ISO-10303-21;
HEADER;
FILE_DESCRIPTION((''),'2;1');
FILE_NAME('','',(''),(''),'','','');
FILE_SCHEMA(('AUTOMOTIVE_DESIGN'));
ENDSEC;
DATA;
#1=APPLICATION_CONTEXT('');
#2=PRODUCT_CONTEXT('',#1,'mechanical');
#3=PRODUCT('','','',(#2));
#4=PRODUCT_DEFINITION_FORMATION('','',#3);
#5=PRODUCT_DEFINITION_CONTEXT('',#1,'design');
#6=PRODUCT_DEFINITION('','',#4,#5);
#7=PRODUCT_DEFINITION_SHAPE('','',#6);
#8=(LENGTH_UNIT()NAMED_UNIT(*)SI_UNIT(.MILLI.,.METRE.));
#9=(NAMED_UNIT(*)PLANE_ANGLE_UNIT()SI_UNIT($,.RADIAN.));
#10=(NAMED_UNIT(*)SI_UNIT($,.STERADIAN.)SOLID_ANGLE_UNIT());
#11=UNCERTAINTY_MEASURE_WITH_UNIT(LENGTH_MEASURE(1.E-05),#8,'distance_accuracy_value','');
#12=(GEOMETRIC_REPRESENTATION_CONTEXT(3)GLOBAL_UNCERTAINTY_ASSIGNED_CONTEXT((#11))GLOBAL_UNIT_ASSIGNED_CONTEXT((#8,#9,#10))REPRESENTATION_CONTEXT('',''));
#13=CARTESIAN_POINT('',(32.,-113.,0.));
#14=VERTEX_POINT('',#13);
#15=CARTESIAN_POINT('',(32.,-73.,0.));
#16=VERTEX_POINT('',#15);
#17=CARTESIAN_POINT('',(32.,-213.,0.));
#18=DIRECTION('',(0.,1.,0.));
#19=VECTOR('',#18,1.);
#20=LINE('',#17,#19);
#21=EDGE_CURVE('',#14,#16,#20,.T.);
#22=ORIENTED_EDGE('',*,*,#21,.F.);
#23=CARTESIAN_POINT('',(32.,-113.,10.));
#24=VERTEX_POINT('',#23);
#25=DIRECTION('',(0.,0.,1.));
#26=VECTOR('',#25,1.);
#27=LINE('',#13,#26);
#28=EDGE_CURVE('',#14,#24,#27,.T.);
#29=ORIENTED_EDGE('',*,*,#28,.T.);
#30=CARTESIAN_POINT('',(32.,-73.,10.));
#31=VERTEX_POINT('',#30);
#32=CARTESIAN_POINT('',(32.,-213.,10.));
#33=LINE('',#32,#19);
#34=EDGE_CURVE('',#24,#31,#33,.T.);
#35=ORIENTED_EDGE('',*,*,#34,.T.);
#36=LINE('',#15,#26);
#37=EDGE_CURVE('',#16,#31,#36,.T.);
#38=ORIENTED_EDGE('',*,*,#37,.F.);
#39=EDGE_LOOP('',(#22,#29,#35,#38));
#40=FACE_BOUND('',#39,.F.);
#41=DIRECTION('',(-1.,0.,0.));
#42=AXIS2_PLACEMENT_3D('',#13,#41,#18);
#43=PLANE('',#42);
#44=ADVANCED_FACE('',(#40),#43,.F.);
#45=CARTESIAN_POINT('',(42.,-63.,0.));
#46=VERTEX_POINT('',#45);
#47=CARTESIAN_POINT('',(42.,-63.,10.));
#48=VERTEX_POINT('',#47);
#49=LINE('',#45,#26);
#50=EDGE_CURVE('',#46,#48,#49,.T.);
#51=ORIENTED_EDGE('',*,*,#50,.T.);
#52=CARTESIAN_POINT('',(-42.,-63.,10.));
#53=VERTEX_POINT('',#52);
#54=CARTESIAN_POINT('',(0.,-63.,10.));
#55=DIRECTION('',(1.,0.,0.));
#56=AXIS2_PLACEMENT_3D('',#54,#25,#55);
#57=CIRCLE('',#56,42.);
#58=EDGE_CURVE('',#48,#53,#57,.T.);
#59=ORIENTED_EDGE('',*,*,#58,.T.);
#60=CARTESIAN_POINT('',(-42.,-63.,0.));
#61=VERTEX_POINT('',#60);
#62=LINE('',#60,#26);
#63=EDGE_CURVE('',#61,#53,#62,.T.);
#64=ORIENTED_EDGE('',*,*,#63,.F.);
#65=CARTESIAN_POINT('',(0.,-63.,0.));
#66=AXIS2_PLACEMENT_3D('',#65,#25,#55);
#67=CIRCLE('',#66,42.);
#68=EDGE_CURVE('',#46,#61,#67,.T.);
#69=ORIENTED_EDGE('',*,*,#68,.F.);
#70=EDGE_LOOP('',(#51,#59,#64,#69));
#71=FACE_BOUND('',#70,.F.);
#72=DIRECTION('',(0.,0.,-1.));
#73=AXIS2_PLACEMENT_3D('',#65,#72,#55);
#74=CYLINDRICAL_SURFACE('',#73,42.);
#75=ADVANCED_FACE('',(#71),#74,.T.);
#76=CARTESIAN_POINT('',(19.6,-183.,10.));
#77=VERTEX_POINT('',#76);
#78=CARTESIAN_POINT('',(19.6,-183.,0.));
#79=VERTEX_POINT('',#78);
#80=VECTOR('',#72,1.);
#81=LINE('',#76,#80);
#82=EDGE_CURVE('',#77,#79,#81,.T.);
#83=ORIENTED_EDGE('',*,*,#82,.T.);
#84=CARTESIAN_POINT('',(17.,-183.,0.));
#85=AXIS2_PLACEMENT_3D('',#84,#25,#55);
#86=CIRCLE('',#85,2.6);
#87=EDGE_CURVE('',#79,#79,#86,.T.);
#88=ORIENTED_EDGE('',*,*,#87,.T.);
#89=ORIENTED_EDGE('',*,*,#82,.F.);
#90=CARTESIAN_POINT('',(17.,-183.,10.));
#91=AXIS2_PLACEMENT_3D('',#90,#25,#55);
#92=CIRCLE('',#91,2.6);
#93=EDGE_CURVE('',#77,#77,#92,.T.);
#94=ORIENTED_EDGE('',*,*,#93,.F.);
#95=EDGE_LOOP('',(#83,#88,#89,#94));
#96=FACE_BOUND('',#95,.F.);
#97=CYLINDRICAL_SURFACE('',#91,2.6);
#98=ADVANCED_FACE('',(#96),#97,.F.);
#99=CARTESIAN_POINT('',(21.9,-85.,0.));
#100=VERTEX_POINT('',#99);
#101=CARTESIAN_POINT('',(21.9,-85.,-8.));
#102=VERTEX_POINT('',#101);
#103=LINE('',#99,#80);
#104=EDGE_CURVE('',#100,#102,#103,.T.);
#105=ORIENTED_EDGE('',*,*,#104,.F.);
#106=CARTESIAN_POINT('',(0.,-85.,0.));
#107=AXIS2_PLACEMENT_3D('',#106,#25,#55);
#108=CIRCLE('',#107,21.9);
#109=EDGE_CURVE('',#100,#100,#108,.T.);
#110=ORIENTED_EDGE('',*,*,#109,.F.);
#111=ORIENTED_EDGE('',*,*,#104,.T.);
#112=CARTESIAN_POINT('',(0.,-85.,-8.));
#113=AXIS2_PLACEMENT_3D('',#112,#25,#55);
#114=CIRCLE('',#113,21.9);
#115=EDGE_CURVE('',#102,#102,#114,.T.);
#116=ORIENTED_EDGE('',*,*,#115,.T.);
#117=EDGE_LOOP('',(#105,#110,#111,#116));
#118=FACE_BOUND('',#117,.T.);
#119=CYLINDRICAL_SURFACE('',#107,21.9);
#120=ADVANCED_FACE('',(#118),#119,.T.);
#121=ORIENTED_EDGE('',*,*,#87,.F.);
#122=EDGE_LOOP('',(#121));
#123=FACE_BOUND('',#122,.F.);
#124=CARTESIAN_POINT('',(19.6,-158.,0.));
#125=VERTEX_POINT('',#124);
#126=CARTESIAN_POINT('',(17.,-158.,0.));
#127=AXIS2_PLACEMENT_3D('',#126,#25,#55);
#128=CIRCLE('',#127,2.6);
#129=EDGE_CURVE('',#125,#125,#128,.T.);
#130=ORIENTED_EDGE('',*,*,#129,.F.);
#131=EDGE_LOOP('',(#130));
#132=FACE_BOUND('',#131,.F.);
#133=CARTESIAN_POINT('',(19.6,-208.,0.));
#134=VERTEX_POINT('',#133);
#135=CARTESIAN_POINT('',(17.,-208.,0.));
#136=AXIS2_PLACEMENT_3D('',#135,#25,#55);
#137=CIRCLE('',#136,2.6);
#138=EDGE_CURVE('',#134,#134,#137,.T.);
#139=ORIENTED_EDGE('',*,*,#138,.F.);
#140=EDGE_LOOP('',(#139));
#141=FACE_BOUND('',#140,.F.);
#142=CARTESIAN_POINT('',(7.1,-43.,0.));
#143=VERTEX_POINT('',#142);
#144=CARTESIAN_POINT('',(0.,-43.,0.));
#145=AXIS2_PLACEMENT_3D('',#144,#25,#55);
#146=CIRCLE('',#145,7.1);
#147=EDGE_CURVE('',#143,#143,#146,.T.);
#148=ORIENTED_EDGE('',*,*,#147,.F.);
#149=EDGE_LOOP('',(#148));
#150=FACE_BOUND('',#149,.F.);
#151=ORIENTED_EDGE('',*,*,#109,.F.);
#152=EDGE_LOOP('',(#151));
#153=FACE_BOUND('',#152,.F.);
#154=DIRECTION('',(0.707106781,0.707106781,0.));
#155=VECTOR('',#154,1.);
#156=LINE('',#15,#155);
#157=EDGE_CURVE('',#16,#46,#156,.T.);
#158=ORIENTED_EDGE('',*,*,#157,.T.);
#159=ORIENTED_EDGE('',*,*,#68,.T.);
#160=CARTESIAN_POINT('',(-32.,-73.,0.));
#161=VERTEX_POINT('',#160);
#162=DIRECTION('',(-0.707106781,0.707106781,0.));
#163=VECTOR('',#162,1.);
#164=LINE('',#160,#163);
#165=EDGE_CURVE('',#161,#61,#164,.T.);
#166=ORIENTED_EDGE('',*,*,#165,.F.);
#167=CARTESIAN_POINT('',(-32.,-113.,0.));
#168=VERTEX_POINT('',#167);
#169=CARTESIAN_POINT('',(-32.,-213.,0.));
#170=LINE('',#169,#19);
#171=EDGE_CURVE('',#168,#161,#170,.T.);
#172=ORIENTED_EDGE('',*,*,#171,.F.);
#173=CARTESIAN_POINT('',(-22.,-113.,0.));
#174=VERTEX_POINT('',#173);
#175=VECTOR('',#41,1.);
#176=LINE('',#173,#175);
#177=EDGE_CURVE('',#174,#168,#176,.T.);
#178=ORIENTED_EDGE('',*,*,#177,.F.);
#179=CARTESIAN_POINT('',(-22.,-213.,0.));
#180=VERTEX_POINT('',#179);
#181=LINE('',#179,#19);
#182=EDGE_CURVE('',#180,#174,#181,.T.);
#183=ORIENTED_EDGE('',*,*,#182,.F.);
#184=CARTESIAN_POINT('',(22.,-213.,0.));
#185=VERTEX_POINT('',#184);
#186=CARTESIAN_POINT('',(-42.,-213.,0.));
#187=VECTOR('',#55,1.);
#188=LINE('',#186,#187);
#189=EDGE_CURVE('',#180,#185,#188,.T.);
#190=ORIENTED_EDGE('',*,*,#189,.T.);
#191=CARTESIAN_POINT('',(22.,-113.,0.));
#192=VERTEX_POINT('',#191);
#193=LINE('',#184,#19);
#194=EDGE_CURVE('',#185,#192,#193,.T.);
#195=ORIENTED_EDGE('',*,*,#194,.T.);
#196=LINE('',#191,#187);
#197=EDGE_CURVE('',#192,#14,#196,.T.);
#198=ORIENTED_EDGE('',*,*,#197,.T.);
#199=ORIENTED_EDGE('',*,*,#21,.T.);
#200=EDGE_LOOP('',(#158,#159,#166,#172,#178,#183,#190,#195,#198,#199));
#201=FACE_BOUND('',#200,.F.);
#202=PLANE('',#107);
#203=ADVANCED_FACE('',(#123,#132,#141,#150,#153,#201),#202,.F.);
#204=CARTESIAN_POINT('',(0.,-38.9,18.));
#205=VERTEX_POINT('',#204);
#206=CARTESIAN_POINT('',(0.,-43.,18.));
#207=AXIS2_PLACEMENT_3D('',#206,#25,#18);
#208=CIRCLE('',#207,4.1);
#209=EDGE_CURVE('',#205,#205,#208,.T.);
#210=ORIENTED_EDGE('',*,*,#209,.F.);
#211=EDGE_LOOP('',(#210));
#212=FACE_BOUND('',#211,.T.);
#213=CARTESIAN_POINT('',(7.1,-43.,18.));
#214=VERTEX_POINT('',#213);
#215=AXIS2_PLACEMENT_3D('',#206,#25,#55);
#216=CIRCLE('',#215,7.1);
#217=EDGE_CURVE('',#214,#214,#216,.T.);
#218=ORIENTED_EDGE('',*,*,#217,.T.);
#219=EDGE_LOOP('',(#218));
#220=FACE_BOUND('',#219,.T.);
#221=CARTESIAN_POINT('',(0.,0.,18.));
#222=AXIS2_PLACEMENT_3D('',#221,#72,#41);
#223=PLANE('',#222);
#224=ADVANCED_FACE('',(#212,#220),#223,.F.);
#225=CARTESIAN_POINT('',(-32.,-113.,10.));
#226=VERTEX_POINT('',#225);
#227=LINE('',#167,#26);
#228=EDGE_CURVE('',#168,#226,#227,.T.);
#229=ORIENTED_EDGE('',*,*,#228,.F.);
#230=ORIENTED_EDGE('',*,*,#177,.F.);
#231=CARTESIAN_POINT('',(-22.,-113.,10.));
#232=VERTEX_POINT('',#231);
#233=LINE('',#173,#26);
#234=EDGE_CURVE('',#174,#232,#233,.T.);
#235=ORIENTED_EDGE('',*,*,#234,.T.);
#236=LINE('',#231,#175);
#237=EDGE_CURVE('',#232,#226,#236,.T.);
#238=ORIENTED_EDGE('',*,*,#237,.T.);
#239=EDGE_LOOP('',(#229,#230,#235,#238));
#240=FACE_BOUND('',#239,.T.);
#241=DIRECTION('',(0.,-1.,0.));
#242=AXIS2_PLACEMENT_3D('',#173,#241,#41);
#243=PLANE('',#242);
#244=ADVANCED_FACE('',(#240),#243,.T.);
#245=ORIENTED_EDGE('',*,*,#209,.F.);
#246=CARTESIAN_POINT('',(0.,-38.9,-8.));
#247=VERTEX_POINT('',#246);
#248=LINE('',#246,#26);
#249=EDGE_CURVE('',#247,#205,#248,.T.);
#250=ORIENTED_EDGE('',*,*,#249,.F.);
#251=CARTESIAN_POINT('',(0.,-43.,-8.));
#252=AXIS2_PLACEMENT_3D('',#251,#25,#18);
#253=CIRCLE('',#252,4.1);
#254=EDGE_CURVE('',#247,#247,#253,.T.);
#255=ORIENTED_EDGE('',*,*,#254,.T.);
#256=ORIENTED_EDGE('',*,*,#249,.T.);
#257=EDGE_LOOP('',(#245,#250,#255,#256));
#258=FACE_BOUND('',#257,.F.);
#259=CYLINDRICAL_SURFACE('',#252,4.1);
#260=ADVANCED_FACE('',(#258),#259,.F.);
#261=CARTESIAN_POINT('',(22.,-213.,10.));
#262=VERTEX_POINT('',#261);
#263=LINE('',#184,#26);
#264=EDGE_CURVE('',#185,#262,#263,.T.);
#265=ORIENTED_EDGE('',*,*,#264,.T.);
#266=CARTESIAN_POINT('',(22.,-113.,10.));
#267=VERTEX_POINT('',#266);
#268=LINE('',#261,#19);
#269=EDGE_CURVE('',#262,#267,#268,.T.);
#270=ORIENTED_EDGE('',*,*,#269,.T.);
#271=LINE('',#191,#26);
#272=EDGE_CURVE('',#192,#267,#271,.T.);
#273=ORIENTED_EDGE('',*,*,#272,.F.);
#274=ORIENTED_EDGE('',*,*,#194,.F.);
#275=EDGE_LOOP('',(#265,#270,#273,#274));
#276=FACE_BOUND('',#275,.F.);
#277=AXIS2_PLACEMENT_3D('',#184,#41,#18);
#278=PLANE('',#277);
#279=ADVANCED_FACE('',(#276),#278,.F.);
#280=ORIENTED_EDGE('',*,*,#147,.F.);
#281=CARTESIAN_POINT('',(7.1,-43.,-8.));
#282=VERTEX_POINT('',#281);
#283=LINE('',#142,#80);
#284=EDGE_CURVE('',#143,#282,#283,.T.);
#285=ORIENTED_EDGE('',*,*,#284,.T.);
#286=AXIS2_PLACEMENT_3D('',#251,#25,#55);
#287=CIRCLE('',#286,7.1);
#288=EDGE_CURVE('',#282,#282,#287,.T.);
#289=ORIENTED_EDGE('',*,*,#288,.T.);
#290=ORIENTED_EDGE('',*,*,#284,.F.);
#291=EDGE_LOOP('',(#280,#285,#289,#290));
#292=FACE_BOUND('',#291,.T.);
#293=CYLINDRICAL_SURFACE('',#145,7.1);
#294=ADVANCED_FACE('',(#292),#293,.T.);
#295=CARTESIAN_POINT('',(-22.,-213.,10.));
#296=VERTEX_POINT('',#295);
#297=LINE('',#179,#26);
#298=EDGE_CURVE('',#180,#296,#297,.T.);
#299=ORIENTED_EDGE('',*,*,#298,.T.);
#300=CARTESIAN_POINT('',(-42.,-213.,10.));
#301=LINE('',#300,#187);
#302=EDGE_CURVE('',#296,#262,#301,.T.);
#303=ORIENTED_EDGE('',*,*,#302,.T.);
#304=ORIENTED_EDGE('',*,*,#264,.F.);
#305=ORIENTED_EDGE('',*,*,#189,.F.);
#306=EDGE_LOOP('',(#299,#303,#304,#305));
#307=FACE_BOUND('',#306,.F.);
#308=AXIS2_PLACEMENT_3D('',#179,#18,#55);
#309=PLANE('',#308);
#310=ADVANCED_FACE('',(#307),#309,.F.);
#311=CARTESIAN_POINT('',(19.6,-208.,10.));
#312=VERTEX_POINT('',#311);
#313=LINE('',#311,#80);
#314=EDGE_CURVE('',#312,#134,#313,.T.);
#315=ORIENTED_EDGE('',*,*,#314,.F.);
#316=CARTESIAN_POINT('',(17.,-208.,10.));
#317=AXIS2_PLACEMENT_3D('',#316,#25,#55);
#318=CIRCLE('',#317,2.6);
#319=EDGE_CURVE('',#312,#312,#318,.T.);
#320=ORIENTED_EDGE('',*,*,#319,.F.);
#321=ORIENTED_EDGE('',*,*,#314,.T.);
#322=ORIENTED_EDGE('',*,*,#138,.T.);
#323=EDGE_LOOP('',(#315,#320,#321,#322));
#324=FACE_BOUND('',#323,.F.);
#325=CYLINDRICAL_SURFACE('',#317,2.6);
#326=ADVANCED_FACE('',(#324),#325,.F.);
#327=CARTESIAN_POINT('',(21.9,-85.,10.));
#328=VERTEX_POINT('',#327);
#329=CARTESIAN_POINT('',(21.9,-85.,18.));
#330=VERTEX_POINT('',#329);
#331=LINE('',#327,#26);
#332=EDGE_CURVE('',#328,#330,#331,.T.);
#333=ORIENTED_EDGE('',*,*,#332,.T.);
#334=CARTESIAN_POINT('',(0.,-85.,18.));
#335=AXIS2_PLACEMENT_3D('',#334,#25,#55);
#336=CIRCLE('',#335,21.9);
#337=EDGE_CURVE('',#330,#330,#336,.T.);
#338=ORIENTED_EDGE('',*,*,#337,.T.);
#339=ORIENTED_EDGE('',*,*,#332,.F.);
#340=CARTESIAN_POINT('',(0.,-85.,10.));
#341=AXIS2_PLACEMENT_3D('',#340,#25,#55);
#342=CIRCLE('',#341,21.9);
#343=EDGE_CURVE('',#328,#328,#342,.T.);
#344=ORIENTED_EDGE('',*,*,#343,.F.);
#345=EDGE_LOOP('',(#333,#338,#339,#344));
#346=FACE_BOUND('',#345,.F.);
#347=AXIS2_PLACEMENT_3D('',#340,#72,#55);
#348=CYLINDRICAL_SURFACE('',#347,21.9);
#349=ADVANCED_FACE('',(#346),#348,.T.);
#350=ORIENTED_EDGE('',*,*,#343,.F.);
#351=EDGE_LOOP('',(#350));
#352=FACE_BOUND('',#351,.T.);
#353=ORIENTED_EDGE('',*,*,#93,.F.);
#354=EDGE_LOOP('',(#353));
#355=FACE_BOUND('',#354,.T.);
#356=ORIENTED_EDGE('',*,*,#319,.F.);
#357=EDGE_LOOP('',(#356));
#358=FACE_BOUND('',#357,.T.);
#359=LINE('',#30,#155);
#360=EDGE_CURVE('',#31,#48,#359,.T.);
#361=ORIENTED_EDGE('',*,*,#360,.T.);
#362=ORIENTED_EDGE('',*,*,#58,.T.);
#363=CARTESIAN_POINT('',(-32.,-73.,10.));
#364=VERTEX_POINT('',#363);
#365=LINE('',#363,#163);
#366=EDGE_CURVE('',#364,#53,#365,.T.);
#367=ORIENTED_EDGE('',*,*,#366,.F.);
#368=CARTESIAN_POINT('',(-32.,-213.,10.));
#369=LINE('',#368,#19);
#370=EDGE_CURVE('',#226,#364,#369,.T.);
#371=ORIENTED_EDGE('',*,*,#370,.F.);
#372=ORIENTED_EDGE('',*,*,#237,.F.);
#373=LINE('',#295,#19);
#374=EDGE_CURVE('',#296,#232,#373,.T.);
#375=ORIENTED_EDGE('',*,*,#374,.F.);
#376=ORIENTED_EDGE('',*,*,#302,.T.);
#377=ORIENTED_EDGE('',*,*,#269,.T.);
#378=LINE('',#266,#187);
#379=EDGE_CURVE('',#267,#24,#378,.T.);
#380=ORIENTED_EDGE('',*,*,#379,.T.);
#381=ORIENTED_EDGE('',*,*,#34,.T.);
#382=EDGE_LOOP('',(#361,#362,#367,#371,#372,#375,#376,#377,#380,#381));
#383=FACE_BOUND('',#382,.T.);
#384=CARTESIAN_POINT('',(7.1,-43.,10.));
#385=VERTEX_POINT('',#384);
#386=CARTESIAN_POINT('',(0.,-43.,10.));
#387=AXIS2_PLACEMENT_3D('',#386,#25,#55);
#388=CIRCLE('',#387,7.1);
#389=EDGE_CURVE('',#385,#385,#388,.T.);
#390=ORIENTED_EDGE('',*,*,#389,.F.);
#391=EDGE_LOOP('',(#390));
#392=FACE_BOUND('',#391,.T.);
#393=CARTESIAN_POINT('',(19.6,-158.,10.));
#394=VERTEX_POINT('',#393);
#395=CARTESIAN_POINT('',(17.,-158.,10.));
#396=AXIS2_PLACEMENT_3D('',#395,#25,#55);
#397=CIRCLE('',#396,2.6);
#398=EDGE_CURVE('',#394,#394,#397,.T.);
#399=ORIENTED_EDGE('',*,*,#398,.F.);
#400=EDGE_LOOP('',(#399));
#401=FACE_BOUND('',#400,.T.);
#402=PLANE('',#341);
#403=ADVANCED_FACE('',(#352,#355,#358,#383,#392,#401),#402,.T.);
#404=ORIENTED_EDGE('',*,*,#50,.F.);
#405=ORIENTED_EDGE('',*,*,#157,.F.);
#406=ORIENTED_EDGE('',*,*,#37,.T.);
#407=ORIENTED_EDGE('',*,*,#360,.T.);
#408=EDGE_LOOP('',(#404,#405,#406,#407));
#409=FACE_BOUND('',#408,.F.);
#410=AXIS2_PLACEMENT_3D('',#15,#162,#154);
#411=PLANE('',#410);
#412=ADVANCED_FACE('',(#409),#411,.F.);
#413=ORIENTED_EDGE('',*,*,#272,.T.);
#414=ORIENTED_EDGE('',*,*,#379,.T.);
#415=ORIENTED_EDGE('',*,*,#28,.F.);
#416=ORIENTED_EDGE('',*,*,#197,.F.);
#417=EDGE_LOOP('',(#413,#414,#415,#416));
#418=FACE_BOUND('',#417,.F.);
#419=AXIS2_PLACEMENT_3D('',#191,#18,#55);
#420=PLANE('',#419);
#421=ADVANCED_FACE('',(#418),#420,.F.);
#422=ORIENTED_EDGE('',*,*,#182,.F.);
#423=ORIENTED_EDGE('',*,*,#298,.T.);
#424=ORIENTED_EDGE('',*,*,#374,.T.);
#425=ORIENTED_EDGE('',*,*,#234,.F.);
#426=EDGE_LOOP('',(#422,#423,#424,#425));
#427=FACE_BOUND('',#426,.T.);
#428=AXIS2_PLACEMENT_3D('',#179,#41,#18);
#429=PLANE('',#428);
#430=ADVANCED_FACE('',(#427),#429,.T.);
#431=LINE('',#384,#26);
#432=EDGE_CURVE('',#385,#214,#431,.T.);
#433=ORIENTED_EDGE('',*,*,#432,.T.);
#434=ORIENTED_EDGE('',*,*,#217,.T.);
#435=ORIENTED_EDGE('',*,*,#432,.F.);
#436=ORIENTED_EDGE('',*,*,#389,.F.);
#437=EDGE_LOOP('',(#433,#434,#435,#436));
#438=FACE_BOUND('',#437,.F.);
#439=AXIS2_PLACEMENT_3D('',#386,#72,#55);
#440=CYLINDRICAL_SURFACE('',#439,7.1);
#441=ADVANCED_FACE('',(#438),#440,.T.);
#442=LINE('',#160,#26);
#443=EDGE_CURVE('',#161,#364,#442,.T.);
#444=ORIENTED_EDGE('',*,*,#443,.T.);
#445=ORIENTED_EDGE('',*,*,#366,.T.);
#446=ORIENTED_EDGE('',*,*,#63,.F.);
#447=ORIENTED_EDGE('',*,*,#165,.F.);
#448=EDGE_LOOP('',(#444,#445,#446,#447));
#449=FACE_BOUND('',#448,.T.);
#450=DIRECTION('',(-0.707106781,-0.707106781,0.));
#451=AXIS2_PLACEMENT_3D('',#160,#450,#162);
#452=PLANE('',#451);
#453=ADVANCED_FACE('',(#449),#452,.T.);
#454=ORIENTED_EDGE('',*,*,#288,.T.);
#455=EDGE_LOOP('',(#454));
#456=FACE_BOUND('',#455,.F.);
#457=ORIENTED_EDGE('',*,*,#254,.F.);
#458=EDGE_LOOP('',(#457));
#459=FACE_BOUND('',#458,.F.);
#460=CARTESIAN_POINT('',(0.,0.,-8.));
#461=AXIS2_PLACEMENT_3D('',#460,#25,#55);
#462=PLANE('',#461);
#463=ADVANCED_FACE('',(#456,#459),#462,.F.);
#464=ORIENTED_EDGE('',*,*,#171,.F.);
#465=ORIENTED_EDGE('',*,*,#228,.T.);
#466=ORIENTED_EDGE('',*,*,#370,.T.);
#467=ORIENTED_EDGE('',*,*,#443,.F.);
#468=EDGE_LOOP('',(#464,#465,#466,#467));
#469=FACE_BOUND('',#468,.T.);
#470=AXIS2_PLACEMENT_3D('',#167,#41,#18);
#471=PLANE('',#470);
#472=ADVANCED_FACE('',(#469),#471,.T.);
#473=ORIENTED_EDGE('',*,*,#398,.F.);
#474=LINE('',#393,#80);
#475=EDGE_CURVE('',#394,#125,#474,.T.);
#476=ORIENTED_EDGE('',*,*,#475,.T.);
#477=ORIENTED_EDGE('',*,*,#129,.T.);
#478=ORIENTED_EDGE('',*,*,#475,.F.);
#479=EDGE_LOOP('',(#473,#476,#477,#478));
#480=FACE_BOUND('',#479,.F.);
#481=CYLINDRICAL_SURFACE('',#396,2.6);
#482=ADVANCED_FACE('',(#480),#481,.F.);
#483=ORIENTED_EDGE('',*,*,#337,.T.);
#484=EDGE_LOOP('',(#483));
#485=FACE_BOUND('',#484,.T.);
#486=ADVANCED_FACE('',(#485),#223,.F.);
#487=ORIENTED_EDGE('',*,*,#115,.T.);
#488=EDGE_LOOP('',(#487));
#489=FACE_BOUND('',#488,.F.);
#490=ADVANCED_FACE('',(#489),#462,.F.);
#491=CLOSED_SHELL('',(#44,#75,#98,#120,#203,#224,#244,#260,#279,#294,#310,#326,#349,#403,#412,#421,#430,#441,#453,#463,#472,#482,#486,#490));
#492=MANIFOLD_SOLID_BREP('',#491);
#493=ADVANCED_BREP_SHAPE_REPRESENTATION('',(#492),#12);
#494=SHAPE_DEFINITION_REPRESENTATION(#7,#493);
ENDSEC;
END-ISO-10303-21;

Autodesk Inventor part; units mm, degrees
ref_plane "YZ Plane" through (0, 0, 0) normal (1, 0, 0) x (0, 1, 0)
ref_plane "XZ Plane" through (0, 0, 0) normal (0, 1, 0) x (-1, 0, 0)
ref_plane "XY Plane" through (0, 0, 0) normal (0, 0, 1) x (1, 0, 0)
sketch "Sketch1" plane through (0, 0, 0) normal (0, 0, 1) x (1, 0, 0)
  arc A0 (-44.1071, -48.8952) -> (-20.8929, -67.8977) centre (-32.5, -58.3964) ccw projected
  arc A1 (-43.869, -48.6061) -> (-44.1071, -48.8952) centre (0, -85) ccw projected
  line L0 (-36.9673, -34.403) -> (-43.869, -48.6061) projected
  arc A2 (-36.9673, -34.403) -> (-25, 17.6067) centre (-144, 17.6067) ccw projected
  line L1 (-25, 17.6067) -> (-25, 75) projected
  line L2 (-25, 75) -> (25, 75) projected
  line L3 (25, 75) -> (25, 17.6067) projected
  arc A3 (25, 17.6067) -> (36.9673, -34.403) centre (144, 17.6067) ccw projected
  line L4 (43.869, -48.6061) -> (36.9673, -34.403) projected
  arc A4 (44.1071, -48.8952) -> (43.869, -48.6061) centre (0, -85) ccw projected
  arc A5 (20.8929, -67.8977) -> (44.1071, -48.8952) centre (32.5, -58.3964) ccw projected
  arc A6 (20.8929, -67.8977) -> (-20.8929, -67.8977) centre (0, -85) ccw projected
  circle A7 centre (-16, 24) radius 2.1 projected
  circle A8 centre (16, 60) radius 2.1 projected
  circle A9 centre (-16, 60) radius 2.1 projected
  circle A10 centre (16, 24) radius 2.1 projected
  arc A11 (38.0714, -53.8358) -> (-38.0714, -53.8358) centre (0, -85) ccw projected
  arc A12 (-38.0714, -53.8358) -> (-26.9286, -62.957) centre (-32.5, -58.3964) ccw projected
  arc A13 (26.9286, -62.957) -> (-26.9286, -62.957) centre (0, -85) ccw projected
  arc A14 (26.9286, -62.957) -> (38.0714, -53.8358) centre (32.5, -58.3964) ccw projected
  circle A15 centre (0, -43) radius 7.1
  line L5 (0, -35.8) -> (0, -50.2) construction
  circle A16 centre (0, -85) radius 21.9
  line L6 (0, -63) -> (0, -213) construction
  line L7 (-42, -63) -> (-42, -213)
  line L8 (42, -213) -> (42, -63)
  arc A17 (42, -63) -> (-42, -63) centre (0, -63) ccw
  arc A18 (-42, -213) -> (42, -213) centre (0, -213) ccw
  point P0 (0, 0)
  point P1 (0, -138)
  dimension "d0" = 14.2
  dimension "d1" = 7.2
  dimension "d2" = 27
  dimension "d3" = 43.8
  dimension "d4" = 42
  dimension "d5" = 150
  dimension "d6" = 20
extrude "Extrusion1" add sketch "Sketch1" against normal blind 8 contours A15 | A16
sketch "Sketch2" plane through (0, -85, 0) normal (0, 0, 1) x (1, 0, 0)
  line L0 (-42, 22) -> (-42, -128) projected
  arc A0 (42, 22) -> (-42, 22) centre (0, 22) ccw projected
  line L1 (42, -128) -> (42, 22) projected
  arc A1 (-42, -128) -> (42, -128) centre (0, -128) ccw projected
  circle A2 centre (0, 0) radius 21.9 projected
  circle A3 centre (0, 42) radius 7.1 projected
  point P0 (0, 85)
extrude "Extrusion2" add sketch "Sketch2" along normal blind 10 contours A0 L1 A1 L0 | A2 | A3
sketch "Sketch4" plane through (0, -85, 0) normal (0, 0, -1) x (-1, 0, 0)
  circle A0 centre (0, 0) radius 21.9 projected
  circle A1 centre (0, 42) radius 7.1 projected
  arc A2 (-42, -128) -> (42, -128) centre (0, -128) ccw projected
  line L0 (42, 22) -> (42, -128) projected
  arc A3 (42, 22) -> (-42, 22) centre (0, 22) ccw projected
  line L1 (-42, -128) -> (-42, 22) projected
  arc A4 (-42, -128) -> (42, -128) centre (0, -128) ccw projected
  line L2 (42, -128) -> (-42, -128)
  line L3 (32, -128) -> (32, 12)
  arc A5 (42, 22) -> (-42, 22) centre (0, 22) ccw projected
  line L4 (32, 12) -> (42, 22)
  line L5 (0, -128) -> (0, 42) construction
  line L6 (-32, -128) -> (-32, 12)
  line L7 (-32, 12) -> (-42, 22)
  line L8 (22, -128) -> (22, -28)
  line L9 (22, -28) -> (32, -28)
  line L10 (-22, -128) -> (-22, -28)
  line L11 (-22, -28) -> (-32, -28)
  point P0 (0, 85)
  point P1 (-32, -28)
  dimension "d18" = 10
  dimension "d19" = 135
  dimension "d22" = 10
  dimension "d23" = 100
extrude "Extrusion3" cut sketch "Sketch4" against normal blind 10 contours L2 A2 | L1 L7 L6 L2 | L2 L3 L4 L0 | L6 L11 L10 L2 | L2 L8 L9 L3
sketch "Sketch5" plane through (0, -85, 10) normal (0, 0, 1) x (1, 0, 0)
  circle A0 centre (17, -73) radius 2.6 projected
  circle A1 centre (17, -98) radius 2.6 projected
  circle A2 centre (17, -123) radius 2.6 projected
  point P0 (0, 85)
extrude "Extrusion4" cut sketch "Sketch5" against normal through all
ref_plane "Work Plane1" through (0, -85, 5) normal (0, 0, 1) x (1, 0, 0)
mirror "Mirror1" about plane through (0, -85, 5) normal (0, 0, 1) of "Extrusion1"
sketch "Sketch3" plane through (0, -43, -8) normal (0, 0, -1) x (-1, 0, 0)
  circle A0 centre (0, 0) radius 7.1 projected
  point P0 (0, 43)
hole "Hole1" at (0, -43, -8) direction (0, 0, 1) diameter 8.2 end through all
properties part number "17_Khau_noi_tiep_cuoi" material "Stainless Steel, Austenitic"
